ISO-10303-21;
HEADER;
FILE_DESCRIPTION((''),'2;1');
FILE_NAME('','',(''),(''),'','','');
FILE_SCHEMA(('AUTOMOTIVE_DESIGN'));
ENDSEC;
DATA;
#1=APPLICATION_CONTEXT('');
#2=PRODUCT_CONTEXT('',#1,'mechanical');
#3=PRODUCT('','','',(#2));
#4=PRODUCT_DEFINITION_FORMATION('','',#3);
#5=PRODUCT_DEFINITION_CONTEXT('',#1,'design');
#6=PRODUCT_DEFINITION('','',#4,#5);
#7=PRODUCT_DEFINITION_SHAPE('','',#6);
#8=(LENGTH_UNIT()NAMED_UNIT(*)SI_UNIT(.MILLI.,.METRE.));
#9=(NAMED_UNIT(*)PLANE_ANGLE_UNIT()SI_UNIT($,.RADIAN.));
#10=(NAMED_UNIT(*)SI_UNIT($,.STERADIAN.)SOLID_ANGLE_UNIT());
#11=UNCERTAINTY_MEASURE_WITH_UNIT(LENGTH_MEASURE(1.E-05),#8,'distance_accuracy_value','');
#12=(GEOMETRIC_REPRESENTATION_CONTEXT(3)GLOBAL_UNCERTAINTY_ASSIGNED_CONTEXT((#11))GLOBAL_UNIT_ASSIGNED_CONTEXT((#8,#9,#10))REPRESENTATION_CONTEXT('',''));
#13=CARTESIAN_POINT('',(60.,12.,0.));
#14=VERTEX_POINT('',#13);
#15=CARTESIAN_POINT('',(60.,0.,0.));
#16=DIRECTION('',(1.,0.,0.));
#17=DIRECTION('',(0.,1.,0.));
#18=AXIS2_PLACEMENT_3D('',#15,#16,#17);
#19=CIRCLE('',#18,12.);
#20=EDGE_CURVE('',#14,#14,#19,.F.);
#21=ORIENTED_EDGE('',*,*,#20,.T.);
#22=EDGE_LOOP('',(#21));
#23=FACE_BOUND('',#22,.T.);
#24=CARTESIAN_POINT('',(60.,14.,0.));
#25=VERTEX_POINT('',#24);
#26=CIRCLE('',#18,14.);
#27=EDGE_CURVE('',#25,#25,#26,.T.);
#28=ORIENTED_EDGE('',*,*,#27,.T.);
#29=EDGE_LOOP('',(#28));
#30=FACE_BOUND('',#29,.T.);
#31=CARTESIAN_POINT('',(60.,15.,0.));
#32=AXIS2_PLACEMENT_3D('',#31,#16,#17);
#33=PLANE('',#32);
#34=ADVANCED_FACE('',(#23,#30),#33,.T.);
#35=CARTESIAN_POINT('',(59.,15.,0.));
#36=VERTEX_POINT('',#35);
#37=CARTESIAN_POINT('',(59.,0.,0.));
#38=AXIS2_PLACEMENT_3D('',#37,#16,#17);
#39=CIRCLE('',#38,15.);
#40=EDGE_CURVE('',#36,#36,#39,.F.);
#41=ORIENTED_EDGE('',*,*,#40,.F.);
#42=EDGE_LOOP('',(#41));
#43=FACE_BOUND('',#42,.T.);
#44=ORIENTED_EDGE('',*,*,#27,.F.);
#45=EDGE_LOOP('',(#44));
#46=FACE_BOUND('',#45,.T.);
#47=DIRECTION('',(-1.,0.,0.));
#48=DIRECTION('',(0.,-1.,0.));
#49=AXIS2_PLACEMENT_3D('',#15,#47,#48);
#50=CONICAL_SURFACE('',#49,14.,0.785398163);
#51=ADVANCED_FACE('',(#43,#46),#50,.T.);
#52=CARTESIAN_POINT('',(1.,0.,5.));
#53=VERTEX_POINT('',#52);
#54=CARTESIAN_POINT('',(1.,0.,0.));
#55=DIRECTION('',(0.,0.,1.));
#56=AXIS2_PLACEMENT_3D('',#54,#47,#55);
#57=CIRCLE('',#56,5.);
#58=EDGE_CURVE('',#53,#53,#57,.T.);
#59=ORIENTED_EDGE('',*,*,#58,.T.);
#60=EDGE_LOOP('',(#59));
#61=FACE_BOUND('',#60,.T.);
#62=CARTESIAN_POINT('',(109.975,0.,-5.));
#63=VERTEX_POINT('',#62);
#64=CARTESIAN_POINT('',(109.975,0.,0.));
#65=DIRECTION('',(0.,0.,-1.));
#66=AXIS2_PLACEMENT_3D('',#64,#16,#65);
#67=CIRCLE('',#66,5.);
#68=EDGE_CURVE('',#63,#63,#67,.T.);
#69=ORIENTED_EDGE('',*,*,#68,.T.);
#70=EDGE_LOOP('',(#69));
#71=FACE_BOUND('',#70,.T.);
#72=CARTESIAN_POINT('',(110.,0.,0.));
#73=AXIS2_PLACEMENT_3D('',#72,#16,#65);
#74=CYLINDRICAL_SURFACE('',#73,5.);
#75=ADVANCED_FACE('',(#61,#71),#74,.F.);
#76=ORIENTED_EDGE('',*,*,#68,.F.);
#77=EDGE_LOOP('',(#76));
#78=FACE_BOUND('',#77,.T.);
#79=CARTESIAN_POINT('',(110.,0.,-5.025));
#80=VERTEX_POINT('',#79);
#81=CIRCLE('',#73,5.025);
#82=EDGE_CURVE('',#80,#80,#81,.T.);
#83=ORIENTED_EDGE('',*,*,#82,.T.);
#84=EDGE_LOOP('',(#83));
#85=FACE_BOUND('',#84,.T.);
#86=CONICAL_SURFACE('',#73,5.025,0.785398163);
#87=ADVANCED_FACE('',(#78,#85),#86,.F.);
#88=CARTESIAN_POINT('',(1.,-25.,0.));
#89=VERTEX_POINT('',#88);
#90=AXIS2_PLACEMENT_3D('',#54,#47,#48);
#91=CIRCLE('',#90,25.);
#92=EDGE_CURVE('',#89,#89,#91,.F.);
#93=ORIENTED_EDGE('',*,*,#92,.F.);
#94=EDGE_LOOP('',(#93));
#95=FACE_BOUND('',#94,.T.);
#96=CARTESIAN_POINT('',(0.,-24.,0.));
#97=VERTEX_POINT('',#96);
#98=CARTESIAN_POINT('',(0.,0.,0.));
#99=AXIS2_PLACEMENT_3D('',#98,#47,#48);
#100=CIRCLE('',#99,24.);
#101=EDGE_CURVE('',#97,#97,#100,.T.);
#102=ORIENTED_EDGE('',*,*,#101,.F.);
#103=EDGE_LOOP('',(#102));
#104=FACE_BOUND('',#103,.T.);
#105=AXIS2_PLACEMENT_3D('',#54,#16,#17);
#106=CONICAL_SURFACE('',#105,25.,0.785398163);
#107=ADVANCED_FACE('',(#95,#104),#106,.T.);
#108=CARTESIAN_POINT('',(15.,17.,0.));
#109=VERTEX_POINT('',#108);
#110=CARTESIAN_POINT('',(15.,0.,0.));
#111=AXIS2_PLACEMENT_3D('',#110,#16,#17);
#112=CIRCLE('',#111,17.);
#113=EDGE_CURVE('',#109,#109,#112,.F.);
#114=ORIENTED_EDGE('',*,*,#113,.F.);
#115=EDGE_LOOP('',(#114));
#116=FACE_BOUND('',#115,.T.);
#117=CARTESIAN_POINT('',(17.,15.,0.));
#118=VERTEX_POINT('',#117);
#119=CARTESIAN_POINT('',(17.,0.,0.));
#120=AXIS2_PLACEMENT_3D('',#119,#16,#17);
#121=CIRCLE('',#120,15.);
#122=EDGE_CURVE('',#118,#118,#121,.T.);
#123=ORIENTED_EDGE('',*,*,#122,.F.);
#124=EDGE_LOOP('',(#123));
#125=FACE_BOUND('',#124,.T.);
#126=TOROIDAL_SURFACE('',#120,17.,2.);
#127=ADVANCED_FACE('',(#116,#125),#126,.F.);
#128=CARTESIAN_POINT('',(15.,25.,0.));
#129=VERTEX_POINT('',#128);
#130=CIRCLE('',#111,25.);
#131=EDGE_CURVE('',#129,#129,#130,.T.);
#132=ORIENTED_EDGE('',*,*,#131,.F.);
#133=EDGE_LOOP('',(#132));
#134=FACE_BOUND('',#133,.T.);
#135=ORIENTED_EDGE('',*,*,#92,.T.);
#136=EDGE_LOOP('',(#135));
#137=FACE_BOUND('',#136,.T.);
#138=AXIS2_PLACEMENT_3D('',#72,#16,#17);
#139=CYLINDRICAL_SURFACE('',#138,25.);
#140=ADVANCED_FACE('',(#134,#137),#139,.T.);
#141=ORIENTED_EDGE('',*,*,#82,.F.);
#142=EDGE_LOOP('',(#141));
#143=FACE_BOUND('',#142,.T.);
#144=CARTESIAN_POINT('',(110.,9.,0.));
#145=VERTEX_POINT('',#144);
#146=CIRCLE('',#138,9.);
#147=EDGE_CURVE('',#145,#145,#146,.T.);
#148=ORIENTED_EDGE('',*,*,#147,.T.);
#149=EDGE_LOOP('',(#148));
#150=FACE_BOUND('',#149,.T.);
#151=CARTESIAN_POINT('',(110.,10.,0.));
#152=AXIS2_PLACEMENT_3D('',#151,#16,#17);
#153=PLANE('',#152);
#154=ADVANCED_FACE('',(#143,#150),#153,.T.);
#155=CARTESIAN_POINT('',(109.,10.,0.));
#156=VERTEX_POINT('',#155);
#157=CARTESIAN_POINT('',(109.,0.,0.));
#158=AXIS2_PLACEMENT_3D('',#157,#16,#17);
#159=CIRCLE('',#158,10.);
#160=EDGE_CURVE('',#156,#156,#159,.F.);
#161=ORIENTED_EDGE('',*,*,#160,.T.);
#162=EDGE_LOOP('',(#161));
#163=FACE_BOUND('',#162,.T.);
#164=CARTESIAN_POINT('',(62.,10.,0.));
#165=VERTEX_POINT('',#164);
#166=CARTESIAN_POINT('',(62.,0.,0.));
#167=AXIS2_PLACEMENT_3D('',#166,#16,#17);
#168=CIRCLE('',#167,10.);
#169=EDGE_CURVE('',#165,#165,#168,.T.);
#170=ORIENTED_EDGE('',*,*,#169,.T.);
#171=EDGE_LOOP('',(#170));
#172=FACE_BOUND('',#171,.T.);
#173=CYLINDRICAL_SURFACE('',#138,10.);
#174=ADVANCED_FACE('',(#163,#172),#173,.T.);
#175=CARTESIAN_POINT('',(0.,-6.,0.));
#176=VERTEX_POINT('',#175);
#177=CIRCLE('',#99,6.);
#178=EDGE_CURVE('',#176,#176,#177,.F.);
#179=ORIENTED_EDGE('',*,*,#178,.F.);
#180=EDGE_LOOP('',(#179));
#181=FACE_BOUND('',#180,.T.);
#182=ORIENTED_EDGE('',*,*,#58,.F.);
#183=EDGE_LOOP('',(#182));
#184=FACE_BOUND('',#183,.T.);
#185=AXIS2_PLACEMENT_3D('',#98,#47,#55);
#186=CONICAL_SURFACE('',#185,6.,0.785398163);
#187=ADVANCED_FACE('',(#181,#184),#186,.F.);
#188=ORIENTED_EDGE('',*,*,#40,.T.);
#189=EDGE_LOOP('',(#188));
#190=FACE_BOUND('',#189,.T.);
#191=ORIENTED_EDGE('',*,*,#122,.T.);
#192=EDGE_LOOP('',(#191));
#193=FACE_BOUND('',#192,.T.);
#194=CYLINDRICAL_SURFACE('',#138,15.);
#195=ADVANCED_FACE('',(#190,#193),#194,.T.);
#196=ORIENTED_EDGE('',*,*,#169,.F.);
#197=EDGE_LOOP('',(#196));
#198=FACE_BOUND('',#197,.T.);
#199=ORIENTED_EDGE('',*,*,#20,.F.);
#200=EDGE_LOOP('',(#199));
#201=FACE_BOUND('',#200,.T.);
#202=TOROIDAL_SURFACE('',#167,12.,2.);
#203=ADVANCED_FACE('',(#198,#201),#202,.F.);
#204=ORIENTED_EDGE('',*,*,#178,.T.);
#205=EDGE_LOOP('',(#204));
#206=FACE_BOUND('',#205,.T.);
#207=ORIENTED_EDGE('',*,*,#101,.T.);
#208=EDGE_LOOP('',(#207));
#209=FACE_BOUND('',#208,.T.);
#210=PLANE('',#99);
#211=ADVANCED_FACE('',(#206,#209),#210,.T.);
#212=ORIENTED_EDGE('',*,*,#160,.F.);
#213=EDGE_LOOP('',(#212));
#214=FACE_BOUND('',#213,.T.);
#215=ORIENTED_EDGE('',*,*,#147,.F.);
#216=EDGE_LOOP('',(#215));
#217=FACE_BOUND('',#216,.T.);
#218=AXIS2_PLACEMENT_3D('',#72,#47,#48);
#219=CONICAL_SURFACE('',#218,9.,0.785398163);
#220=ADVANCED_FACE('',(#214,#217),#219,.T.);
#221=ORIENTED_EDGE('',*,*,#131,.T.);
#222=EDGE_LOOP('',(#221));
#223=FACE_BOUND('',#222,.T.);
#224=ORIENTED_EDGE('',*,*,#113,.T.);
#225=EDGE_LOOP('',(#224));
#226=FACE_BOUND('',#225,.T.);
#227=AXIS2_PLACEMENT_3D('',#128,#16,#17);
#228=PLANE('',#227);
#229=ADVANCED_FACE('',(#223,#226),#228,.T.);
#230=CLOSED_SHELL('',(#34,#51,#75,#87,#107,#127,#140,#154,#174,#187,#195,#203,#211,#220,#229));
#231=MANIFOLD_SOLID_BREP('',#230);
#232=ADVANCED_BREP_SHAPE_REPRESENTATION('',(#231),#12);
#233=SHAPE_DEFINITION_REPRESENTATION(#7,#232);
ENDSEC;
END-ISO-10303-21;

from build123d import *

# Parameters (mm, degrees)
FUROS_GUIA_COM_10_0MM1_D           = 10
FUROS_GUIA_COM_10_0MM1_CSINK_D     = 10.05
FUROS_GUIA_COM_10_0MM1_CSINK_ANGLE = 90
FILETE1_R                          = 2
CHANFRO4_SIZE                      = 1
CHANFRO6_SIZE                      = 1


with BuildPart() as part:
    # Esboço1 → Revolução1 (revolve)
    with BuildSketch(Plane.XY):
        Polygon((0, 0), (0, 25), (15, 25), (15, 15), (60, 15), (60, 10), (110, 10), (110, 0), align=None)
    revolve(axis=Axis((110, 0, 0), (-1, 0, 0)))

    # Furos-guia com Ø10.0mm1 (through all)
    with Locations(Plane(origin=(110, 0, 0), x_dir=(0, 0, -1), z_dir=(1, 0, 0))):
        with Locations((0, 0)):
            CounterSinkHole(FUROS_GUIA_COM_10_0MM1_D / 2, FUROS_GUIA_COM_10_0MM1_CSINK_D / 2, counter_sink_angle=FUROS_GUIA_COM_10_0MM1_CSINK_ANGLE)

    # Filete1
    filete1_edges = [part.edges().sort_by_distance(p)[0] for p in [
        (60, -10, 0),
        (15, -15, 0),
    ]]
    fillet(filete1_edges, radius=FILETE1_R)

    # Chanfro4
    chanfro4_edges = [part.edges().sort_by_distance(p)[0] for p in [
        (110, -10, 0),
        (60, -15, 0),
        (0, -25, 0),
    ]]
    chamfer(chanfro4_edges, length=CHANFRO4_SIZE)

    # Chanfro6
    chanfro6_edges = [part.edges().sort_by_distance(p)[0] for p in [
        (0, 0, -5),
    ]]
    chamfer(chanfro6_edges, length=CHANFRO6_SIZE)


solid = part.part
